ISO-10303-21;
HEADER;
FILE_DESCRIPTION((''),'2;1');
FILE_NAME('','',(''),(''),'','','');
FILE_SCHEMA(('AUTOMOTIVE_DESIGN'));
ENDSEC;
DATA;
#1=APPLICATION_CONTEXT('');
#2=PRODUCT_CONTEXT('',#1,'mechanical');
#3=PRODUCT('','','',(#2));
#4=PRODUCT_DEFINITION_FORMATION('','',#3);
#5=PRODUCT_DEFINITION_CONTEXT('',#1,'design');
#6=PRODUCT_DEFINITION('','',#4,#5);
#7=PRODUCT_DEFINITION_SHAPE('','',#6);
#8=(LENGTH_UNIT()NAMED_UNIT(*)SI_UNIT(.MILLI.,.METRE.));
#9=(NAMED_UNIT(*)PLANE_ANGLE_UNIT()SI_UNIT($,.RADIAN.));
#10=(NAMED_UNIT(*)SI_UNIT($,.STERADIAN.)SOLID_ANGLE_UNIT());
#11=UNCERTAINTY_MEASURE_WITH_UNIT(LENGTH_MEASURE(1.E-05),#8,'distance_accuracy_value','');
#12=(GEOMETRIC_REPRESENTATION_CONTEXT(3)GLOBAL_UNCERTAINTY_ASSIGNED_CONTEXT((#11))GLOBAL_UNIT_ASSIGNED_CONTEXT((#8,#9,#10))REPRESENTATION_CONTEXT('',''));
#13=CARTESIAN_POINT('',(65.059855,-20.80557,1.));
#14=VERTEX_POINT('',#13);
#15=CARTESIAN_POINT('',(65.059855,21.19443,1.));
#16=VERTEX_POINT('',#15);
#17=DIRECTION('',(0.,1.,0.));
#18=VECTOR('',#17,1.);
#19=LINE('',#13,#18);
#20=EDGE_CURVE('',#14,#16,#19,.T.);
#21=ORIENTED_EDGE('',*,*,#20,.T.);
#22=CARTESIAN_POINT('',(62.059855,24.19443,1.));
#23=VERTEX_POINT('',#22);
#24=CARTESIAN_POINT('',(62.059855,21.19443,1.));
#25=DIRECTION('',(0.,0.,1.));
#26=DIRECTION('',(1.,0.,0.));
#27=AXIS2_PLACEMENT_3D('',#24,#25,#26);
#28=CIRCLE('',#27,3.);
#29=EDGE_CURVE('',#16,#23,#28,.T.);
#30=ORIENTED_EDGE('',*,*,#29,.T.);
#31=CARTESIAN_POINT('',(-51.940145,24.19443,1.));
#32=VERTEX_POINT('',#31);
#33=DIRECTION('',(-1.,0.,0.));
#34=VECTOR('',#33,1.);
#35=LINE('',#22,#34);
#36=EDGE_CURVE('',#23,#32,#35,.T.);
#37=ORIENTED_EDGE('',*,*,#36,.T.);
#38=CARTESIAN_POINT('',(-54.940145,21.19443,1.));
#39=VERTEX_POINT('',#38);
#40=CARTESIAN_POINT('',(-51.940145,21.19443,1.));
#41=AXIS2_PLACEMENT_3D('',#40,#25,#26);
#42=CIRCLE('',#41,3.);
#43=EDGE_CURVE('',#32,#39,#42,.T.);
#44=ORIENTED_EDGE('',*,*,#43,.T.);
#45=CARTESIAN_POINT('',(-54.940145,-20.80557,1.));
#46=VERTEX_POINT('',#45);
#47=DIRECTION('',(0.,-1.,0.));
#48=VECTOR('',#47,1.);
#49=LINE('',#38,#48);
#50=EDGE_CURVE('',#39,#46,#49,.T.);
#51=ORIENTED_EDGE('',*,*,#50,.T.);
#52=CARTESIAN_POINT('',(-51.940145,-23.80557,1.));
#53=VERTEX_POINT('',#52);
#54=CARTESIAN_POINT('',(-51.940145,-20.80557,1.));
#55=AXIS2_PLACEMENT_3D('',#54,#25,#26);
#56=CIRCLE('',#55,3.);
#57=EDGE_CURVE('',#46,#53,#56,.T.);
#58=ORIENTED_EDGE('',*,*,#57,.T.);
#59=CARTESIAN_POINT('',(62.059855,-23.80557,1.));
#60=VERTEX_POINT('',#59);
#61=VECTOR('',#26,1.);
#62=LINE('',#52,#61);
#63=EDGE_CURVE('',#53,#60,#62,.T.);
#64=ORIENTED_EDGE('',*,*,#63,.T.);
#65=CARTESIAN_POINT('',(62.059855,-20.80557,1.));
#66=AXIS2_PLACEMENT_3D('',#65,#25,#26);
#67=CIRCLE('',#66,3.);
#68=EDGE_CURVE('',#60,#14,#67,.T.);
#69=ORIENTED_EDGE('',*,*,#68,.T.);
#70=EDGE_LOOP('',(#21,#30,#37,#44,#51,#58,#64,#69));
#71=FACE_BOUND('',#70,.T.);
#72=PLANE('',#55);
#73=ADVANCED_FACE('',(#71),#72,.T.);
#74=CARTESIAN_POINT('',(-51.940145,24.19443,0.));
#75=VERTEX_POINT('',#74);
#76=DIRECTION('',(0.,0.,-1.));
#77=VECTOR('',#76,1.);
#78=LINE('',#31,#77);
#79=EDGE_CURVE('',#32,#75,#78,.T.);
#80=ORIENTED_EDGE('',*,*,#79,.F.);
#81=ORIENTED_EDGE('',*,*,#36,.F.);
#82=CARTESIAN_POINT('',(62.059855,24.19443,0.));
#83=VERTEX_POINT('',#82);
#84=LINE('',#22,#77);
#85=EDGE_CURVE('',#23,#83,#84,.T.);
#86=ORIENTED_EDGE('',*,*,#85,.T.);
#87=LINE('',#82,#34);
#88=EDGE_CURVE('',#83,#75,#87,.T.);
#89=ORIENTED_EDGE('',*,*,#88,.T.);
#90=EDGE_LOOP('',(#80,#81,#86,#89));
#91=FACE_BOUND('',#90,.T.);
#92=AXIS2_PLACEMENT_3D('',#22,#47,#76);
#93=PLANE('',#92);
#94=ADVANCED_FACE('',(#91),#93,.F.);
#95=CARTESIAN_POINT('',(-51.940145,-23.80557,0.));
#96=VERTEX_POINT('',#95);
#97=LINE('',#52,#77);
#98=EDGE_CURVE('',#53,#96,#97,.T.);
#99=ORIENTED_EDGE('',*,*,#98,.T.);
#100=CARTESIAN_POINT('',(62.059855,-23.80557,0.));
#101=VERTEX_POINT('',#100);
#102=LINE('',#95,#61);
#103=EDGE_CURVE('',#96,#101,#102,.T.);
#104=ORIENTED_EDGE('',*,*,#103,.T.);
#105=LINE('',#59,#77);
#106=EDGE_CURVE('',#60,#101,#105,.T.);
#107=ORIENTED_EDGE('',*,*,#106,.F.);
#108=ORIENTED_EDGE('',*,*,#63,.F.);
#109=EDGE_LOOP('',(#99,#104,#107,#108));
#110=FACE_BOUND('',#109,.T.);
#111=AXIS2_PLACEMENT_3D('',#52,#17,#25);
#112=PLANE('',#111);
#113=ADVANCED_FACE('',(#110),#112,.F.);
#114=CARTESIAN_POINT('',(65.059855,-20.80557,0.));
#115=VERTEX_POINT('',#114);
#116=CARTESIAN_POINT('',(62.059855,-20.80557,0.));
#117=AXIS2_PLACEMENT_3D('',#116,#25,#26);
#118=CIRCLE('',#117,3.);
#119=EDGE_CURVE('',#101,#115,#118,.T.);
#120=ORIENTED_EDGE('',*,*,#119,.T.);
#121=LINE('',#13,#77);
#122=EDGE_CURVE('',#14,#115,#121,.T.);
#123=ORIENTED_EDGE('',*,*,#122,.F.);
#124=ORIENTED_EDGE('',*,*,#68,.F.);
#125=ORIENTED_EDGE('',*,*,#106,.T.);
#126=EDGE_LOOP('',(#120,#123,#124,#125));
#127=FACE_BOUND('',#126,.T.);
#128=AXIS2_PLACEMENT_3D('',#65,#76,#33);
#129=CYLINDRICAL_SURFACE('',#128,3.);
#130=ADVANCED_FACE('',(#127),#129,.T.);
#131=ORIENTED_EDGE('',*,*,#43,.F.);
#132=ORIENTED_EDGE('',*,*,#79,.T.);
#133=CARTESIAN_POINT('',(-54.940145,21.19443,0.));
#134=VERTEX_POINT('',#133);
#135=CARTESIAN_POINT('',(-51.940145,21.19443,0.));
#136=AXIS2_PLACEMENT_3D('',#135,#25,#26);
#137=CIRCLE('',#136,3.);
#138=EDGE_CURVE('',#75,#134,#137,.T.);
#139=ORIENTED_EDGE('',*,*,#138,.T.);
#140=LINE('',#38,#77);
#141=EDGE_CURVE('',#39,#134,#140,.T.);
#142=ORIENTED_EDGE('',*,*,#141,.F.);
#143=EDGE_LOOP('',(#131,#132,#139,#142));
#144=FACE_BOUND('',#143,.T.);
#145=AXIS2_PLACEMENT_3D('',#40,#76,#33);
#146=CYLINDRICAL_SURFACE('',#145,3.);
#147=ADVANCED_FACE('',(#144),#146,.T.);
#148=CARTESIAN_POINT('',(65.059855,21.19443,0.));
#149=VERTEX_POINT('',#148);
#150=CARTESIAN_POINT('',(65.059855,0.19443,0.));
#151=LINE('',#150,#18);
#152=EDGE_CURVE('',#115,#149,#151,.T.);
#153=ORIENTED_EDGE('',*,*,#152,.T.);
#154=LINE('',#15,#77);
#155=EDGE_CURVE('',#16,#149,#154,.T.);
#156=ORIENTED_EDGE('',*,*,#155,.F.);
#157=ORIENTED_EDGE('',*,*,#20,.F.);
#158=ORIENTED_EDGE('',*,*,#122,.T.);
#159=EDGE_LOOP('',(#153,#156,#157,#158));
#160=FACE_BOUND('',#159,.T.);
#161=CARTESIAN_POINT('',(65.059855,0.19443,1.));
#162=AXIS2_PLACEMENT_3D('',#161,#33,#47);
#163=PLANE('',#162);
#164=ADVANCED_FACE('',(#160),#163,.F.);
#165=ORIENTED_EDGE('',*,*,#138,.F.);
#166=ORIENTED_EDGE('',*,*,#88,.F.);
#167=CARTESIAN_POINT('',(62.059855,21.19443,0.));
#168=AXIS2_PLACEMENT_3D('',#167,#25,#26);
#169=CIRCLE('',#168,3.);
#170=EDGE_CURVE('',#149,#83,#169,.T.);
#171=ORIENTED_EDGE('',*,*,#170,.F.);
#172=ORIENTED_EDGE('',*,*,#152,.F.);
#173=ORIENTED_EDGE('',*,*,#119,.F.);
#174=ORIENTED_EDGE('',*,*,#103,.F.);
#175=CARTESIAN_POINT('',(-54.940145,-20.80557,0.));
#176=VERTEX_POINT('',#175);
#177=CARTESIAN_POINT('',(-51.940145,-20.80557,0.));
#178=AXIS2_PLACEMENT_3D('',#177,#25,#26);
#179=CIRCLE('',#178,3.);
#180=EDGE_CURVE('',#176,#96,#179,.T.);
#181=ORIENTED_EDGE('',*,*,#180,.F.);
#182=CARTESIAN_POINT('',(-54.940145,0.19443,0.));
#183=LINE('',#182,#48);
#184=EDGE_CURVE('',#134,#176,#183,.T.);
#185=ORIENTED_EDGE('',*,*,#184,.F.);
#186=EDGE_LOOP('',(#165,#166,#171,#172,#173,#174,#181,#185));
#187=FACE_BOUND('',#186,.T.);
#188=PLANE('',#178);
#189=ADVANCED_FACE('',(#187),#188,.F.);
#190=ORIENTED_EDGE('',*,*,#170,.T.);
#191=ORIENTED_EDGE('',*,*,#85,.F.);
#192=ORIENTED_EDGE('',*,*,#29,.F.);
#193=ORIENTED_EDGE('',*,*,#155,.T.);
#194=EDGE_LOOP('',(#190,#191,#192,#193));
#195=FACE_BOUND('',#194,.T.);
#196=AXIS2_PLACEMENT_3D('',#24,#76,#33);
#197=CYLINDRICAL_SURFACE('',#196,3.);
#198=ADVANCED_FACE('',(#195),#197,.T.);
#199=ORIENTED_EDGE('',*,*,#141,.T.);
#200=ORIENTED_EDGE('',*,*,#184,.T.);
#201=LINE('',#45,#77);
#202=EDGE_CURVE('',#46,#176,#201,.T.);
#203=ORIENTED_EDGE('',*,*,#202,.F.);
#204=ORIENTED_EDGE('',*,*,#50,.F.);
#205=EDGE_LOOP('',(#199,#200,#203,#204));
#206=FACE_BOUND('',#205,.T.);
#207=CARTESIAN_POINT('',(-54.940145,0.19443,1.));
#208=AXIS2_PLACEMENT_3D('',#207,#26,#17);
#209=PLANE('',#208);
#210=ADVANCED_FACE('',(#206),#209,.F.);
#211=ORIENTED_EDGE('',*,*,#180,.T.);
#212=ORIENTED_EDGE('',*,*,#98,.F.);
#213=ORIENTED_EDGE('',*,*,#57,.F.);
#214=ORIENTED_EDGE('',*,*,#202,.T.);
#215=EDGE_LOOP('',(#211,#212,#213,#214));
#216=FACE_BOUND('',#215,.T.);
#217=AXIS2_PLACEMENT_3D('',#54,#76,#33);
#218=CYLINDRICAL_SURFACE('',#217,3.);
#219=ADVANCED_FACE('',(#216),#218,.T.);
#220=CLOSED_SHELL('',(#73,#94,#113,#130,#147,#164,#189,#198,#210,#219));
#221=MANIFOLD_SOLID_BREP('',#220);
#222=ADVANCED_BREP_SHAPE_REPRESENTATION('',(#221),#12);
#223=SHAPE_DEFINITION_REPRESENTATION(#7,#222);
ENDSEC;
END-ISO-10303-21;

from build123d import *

# Parameters (mm, degrees)
BOSS_EXTRUDE1_DEPTH = 1


with BuildPart() as part:
    # Sketch1 → Boss-Extrude1 (new body)
    with BuildSketch(Plane.XY):
        with BuildLine():
            Line((-51.940144553, -23.805569529), (62.059855447, -23.805569529))
            ThreePointArc((62.059855447, -23.805569529), (64.18117579, -22.926889873), (65.059855447, -20.805569529))
            Line((65.059855447, -20.805569529), (65.059855447, 0.194430471))
            Line((65.059855447, 0.194430471), (65.059855447, 21.194430471))
            ThreePointArc((65.059855447, 21.194430471), (64.18117579, 23.315750814), (62.059855447, 24.194430471))
            Line((62.059855447, 24.194430471), (-51.940144553, 24.194430471))
            ThreePointArc((-51.940144553, 24.194430471), (-54.061464897, 23.315750814), (-54.940144553, 21.194430471))
            Line((-54.940144553, 21.194430471), (-54.940144553, 0.194430471))
            Line((-54.940144553, 0.194430471), (-54.940144553, -20.805569529))
            ThreePointArc((-54.940144553, -20.805569529), (-54.061464897, -22.926889873), (-51.940144553, -23.805569529))
        make_face()
    extrude(amount=BOSS_EXTRUDE1_DEPTH)


solid = part.part
